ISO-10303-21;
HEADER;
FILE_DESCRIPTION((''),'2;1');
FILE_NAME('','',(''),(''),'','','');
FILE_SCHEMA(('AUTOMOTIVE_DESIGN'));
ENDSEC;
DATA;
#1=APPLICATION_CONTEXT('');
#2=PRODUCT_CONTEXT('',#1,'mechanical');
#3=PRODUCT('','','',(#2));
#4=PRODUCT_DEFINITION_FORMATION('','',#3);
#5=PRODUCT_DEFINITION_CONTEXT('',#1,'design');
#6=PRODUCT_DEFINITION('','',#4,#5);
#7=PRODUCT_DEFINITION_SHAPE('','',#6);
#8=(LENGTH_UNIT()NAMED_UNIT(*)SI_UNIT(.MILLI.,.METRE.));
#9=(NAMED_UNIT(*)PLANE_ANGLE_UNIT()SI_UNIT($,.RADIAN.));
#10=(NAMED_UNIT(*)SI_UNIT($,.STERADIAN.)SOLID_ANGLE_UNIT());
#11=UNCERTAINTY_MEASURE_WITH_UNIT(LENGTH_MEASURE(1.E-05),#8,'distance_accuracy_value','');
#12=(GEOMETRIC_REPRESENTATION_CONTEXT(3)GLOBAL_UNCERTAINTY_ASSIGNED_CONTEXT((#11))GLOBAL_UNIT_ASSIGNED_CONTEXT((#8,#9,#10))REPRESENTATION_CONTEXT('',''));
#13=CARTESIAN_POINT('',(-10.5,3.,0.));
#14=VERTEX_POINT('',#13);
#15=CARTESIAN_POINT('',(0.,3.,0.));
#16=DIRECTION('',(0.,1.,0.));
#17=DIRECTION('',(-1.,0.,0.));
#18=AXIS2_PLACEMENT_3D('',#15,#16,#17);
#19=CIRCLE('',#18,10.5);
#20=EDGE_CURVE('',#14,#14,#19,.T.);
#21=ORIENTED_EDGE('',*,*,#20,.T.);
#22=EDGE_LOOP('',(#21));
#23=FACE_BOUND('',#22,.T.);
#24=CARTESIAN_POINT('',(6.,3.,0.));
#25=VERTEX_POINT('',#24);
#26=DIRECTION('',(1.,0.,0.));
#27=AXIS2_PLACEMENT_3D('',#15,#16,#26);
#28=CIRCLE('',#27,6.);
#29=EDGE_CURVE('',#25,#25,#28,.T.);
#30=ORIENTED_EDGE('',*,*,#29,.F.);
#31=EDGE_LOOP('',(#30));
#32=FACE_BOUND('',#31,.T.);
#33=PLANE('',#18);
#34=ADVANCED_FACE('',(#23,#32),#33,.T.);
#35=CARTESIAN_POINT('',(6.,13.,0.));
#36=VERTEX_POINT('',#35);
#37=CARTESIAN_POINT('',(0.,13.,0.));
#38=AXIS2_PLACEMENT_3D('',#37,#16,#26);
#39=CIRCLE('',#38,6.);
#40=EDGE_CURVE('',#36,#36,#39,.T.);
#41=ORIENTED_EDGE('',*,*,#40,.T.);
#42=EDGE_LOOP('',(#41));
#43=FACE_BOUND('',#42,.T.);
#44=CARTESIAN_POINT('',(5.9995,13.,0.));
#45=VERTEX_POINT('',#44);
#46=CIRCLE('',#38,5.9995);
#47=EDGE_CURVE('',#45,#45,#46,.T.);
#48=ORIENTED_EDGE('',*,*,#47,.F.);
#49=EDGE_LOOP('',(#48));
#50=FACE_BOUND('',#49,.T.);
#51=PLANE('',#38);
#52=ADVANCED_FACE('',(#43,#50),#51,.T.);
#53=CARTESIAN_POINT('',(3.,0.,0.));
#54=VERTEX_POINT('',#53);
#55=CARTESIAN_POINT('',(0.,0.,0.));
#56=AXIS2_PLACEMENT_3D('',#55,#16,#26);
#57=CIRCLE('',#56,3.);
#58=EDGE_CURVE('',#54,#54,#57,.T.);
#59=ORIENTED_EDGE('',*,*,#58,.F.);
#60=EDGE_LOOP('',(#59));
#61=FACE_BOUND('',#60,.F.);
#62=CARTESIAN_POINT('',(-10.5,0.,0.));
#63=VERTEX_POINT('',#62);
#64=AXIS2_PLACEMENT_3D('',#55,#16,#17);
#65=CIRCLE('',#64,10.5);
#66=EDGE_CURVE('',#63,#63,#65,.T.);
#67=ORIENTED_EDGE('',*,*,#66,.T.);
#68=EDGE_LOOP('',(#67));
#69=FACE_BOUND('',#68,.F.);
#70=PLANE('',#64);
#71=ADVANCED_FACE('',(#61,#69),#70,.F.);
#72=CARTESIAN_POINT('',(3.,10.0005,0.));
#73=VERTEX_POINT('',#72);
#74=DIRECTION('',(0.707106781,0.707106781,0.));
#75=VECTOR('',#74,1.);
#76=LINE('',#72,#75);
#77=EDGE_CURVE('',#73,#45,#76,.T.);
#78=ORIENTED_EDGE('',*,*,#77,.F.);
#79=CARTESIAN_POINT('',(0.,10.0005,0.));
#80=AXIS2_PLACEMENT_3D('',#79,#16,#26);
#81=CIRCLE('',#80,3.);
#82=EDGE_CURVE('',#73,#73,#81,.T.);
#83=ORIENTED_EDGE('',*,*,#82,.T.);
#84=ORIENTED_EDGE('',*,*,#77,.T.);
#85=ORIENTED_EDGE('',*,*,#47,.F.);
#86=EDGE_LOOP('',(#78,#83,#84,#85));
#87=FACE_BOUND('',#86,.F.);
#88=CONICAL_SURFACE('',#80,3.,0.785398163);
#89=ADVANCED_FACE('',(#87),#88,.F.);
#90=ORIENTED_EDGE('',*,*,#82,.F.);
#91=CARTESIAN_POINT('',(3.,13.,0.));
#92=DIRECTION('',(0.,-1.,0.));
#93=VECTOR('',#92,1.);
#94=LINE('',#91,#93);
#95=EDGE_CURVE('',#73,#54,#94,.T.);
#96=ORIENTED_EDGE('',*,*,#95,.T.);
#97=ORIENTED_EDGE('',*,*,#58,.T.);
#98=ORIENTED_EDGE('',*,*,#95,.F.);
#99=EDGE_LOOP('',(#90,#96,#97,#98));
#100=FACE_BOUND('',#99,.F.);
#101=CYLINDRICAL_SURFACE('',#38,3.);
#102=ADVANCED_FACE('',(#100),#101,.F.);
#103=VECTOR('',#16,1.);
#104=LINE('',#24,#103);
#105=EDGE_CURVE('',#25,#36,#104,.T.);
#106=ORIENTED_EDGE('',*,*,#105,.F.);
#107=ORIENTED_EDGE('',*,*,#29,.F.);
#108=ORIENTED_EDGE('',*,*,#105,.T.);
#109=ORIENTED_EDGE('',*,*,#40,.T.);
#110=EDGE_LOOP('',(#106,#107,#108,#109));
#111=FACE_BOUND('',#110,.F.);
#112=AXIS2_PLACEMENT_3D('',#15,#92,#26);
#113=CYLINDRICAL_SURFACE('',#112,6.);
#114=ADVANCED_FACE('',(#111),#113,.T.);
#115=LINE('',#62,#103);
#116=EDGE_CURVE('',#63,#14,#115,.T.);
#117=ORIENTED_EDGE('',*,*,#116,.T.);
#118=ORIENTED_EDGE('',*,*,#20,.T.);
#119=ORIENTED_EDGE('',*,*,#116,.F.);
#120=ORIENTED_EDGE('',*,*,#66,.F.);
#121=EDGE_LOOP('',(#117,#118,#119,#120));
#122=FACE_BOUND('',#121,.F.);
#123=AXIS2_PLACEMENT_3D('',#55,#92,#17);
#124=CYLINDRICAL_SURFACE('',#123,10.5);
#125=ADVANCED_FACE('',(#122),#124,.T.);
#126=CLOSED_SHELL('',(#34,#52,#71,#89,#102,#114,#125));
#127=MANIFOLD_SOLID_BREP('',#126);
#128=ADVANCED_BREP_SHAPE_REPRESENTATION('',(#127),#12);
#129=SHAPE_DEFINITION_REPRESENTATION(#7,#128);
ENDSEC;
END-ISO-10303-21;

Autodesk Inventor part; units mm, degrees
ref_plane "YZ Plane" through (0, 0, 0) normal (1, 0, 0) x (0, 1, 0)
ref_plane "XZ Plane" through (0, 0, 0) normal (0, 1, 0) x (-1, 0, 0)
ref_plane "XY Plane" through (0, 0, 0) normal (0, 0, 1) x (1, 0, 0)
sketch "Sketch1" plane through (0, 0, 0) normal (0, 1, 0) x (-1, 0, 0)
  circle A0 centre (0, 0) radius 10.5
  dimension "d0" = 21
extrude "Extrusion1" add sketch "Sketch1" along normal blind 3
sketch "Sketch2" plane through (0, 3, 0) normal (0, 1, 0) x (1, 0, 0)
  circle A0 centre (0, 0) radius 6
  dimension "d3" = 12
extrude "Extrusion3" add sketch "Sketch2" along normal blind 10
sketch "Sketch4" plane through (0, 13, 0) normal (0, 1, 0) x (1, 0, 0)
  circle A0 centre (0, 0) radius 3
  dimension "d13" = 6
extrude "Extrusion5" cut sketch "Sketch4" against normal through all
chamfer "Chamfer1" distance 3 angle 45 1 edges at (-3, 13, 0)
properties part number "reverse gear lower cylinder ream 1"
